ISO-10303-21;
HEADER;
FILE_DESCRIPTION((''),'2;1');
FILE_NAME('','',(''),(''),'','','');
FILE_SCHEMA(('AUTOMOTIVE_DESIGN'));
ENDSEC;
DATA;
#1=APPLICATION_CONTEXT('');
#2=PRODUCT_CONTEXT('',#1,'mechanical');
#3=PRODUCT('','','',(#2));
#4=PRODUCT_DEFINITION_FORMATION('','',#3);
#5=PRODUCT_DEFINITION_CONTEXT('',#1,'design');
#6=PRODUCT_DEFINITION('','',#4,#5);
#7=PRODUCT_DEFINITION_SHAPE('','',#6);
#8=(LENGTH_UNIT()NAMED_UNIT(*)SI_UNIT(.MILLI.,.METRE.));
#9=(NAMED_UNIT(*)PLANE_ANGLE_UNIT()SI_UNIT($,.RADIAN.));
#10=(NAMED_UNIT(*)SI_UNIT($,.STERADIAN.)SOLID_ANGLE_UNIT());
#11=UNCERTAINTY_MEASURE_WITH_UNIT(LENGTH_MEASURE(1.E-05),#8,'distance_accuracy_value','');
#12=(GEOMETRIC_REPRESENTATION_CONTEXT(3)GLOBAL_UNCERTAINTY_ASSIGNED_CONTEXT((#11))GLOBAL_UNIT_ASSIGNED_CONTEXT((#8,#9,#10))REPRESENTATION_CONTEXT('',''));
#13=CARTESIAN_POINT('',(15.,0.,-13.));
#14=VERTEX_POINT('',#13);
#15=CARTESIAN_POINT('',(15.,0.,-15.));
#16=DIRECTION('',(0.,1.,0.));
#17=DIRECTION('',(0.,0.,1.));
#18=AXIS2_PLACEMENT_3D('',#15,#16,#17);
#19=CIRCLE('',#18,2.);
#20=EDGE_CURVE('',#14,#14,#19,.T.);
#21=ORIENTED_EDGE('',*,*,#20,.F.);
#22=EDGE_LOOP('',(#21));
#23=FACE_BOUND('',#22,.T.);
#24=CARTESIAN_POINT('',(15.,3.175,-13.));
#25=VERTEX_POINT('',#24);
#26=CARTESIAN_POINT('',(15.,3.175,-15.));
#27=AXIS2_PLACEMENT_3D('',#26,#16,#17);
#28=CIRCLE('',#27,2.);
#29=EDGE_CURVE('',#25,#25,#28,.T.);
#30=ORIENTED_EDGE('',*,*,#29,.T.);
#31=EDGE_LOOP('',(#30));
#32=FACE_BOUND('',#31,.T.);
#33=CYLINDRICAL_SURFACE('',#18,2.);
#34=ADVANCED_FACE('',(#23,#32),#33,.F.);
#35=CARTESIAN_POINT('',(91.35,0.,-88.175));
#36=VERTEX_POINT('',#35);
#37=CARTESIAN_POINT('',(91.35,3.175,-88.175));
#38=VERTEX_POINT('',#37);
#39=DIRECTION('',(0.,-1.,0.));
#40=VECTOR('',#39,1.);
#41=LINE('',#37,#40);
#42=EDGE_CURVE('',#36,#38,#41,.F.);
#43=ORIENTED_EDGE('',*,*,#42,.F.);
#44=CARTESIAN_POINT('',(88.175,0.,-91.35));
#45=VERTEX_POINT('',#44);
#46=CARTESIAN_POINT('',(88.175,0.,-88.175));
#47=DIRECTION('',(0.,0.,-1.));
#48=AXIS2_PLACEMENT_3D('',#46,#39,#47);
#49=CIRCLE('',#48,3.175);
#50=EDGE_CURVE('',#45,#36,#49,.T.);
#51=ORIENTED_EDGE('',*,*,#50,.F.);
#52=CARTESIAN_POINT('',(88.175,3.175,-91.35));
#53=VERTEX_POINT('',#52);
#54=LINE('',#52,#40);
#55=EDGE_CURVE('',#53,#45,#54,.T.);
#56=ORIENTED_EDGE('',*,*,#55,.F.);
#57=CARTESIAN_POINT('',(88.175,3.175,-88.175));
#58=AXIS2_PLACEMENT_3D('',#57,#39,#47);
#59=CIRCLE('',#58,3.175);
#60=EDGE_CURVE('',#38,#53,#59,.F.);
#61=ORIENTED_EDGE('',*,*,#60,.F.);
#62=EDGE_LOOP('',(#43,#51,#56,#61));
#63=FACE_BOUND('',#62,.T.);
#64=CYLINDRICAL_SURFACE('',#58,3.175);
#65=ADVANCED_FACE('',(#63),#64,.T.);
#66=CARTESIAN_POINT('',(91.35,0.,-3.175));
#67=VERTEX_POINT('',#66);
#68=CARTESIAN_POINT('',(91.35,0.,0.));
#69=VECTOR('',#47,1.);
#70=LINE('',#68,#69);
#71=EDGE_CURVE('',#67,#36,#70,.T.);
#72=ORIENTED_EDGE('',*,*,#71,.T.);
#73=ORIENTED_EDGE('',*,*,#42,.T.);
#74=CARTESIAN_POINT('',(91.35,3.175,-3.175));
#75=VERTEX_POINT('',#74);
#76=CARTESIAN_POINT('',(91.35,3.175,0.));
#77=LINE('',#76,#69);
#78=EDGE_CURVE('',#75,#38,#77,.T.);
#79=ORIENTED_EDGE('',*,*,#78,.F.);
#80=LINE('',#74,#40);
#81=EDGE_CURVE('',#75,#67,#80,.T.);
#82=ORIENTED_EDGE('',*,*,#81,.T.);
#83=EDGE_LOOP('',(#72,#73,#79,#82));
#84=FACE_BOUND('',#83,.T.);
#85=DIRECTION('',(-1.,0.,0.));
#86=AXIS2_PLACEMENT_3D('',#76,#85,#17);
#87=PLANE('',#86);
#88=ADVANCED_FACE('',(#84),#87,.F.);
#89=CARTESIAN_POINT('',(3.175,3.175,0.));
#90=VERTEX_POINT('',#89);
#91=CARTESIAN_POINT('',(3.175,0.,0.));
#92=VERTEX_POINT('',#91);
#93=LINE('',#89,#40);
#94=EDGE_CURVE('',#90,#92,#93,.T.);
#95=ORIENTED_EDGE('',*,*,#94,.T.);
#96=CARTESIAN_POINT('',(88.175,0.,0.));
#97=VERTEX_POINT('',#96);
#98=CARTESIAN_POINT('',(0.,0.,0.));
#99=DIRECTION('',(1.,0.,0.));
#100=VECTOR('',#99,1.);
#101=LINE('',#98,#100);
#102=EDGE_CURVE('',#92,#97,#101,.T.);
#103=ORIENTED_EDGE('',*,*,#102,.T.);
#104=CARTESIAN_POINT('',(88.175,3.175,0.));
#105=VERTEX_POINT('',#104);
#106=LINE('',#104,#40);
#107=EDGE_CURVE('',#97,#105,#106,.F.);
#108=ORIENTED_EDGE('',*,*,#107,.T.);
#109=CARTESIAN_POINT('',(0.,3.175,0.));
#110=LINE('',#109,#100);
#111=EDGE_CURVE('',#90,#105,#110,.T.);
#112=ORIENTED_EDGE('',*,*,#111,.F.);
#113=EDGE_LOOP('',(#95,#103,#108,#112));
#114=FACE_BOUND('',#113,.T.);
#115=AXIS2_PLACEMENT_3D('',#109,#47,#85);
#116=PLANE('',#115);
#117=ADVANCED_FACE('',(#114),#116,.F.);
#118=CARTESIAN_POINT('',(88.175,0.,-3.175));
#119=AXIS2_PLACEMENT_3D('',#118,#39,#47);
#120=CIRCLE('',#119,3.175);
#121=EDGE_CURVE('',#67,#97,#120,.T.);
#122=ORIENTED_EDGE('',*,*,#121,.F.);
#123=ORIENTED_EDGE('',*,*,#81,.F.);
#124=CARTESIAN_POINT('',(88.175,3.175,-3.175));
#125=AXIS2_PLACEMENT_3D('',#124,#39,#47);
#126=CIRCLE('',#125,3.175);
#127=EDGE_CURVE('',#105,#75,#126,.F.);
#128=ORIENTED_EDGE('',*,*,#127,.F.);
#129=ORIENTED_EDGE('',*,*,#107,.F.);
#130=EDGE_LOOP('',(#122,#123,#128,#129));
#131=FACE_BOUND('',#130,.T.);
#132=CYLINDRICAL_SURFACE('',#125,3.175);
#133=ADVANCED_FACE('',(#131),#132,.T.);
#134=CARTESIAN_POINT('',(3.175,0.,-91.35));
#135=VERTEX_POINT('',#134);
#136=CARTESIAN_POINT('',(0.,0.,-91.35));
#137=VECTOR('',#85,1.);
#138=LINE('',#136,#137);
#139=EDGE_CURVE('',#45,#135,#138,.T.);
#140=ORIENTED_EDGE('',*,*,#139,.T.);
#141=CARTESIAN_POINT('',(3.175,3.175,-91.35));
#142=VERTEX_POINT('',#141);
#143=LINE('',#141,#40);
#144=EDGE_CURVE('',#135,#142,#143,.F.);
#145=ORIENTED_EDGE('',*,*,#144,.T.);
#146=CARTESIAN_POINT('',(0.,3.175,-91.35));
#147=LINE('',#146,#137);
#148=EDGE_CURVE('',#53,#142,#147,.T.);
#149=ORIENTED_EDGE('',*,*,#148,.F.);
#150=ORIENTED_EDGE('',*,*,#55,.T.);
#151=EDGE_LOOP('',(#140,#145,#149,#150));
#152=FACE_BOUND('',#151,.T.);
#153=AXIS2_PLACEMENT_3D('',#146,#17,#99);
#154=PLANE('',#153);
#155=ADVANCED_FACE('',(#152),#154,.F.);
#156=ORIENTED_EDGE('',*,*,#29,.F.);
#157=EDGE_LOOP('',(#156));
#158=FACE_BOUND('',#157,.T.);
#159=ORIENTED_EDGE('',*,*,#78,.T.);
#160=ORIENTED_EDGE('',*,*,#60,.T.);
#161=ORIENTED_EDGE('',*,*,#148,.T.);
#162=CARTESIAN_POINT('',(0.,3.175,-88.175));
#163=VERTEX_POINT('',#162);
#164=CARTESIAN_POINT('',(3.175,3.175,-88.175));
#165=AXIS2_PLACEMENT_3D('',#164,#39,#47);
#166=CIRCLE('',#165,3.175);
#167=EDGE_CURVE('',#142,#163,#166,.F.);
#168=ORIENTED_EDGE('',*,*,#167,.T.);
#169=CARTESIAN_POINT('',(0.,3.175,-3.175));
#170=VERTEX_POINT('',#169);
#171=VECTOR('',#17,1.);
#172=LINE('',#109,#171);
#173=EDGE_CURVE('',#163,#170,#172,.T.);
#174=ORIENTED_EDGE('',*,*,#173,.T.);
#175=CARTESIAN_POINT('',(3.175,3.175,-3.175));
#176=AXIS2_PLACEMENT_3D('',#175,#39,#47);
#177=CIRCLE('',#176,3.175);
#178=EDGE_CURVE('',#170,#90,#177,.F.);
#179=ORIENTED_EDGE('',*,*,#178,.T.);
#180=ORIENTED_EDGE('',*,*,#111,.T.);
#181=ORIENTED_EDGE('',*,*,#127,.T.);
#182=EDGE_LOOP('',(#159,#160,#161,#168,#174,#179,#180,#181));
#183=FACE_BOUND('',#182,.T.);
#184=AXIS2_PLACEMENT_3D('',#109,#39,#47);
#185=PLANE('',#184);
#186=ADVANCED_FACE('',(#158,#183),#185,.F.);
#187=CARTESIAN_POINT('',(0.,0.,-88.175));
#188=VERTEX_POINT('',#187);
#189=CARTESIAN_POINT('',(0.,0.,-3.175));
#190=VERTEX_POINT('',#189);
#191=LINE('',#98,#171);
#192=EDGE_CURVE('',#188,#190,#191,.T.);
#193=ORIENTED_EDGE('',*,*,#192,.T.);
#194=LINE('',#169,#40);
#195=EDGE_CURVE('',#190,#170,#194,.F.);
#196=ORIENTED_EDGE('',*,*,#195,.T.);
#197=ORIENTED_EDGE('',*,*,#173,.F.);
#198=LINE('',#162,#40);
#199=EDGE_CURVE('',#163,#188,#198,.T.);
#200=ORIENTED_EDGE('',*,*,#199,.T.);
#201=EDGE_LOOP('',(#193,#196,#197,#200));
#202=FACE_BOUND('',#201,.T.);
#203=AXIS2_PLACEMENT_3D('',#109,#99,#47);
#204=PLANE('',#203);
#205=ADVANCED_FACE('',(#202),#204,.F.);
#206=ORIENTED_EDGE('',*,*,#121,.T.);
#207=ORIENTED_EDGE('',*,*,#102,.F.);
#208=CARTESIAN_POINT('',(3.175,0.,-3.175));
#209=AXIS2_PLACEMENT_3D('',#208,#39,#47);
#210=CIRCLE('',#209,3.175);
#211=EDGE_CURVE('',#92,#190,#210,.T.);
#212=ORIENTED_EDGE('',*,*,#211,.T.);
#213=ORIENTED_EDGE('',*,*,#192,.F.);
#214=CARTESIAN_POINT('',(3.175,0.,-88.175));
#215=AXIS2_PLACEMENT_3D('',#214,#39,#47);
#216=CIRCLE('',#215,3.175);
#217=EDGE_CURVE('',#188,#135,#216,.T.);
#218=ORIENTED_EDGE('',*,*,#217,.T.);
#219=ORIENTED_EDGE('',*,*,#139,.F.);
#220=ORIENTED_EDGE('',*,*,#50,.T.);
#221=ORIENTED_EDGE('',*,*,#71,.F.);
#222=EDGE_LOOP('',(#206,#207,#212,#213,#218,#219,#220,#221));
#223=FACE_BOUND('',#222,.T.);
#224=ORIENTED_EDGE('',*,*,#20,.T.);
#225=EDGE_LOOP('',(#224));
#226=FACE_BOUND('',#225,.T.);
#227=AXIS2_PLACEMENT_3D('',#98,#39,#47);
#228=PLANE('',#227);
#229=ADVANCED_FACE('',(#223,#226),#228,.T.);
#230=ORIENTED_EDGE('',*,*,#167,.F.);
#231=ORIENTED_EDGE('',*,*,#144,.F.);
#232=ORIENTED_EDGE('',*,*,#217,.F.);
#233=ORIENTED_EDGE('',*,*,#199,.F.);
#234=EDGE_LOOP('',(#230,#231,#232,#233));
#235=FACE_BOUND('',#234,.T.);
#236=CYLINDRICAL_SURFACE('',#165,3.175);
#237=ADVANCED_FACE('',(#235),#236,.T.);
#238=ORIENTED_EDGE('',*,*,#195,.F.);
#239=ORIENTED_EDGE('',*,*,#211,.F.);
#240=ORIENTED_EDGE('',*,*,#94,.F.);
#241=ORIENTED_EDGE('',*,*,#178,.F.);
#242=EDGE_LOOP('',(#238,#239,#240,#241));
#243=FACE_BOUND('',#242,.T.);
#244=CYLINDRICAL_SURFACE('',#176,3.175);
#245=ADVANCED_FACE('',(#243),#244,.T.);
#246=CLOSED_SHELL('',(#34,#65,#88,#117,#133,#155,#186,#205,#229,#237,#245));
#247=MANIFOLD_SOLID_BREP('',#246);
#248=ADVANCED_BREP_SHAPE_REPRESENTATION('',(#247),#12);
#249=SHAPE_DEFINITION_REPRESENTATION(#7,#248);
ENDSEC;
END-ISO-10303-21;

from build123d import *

# Parameters (mm, degrees)
SKETCH1_W           = 91.35
SKETCH1_H           = 91.35
BOSS_EXTRUDE1_DEPTH = 3.175
SKETCH2_R           = 2
CUT_EXTRUDE1_DEPTH  = 130.22741824
FILLET1_R           = 3.175


with BuildPart() as part:
    # Sketch1 → Boss-Extrude1 (new body)
    with BuildSketch(Plane(origin=(0, 0, 0), x_dir=(1, 0, 0), z_dir=(0, 1, 0))):
        with Locations((45.675, 45.675)):
            Rectangle(SKETCH1_W, SKETCH1_H)
    extrude(amount=BOSS_EXTRUDE1_DEPTH)

    # Sketch2 → Cut-Extrude1 (cut, through all)
    with BuildSketch(Plane(origin=(0, 3.175, 0), x_dir=(1, 0, 0), z_dir=(0, 1, 0))):
        with Locations(Location((15, 15, 0), (0, 0, 270))):
            Circle(SKETCH2_R)
    extrude(amount=-CUT_EXTRUDE1_DEPTH, mode=Mode.SUBTRACT)

    # Fillet1
    fillet1_edges = [part.edges().sort_by_distance(p)[0] for p in [
        (0, 1.5875, -91.35),
        (91.35, 1.5875, -91.35),
        (91.35, 1.5875, 0),
        (0, 1.5875, 0),
    ]]
    fillet(fillet1_edges, radius=FILLET1_R)


solid = part.part
